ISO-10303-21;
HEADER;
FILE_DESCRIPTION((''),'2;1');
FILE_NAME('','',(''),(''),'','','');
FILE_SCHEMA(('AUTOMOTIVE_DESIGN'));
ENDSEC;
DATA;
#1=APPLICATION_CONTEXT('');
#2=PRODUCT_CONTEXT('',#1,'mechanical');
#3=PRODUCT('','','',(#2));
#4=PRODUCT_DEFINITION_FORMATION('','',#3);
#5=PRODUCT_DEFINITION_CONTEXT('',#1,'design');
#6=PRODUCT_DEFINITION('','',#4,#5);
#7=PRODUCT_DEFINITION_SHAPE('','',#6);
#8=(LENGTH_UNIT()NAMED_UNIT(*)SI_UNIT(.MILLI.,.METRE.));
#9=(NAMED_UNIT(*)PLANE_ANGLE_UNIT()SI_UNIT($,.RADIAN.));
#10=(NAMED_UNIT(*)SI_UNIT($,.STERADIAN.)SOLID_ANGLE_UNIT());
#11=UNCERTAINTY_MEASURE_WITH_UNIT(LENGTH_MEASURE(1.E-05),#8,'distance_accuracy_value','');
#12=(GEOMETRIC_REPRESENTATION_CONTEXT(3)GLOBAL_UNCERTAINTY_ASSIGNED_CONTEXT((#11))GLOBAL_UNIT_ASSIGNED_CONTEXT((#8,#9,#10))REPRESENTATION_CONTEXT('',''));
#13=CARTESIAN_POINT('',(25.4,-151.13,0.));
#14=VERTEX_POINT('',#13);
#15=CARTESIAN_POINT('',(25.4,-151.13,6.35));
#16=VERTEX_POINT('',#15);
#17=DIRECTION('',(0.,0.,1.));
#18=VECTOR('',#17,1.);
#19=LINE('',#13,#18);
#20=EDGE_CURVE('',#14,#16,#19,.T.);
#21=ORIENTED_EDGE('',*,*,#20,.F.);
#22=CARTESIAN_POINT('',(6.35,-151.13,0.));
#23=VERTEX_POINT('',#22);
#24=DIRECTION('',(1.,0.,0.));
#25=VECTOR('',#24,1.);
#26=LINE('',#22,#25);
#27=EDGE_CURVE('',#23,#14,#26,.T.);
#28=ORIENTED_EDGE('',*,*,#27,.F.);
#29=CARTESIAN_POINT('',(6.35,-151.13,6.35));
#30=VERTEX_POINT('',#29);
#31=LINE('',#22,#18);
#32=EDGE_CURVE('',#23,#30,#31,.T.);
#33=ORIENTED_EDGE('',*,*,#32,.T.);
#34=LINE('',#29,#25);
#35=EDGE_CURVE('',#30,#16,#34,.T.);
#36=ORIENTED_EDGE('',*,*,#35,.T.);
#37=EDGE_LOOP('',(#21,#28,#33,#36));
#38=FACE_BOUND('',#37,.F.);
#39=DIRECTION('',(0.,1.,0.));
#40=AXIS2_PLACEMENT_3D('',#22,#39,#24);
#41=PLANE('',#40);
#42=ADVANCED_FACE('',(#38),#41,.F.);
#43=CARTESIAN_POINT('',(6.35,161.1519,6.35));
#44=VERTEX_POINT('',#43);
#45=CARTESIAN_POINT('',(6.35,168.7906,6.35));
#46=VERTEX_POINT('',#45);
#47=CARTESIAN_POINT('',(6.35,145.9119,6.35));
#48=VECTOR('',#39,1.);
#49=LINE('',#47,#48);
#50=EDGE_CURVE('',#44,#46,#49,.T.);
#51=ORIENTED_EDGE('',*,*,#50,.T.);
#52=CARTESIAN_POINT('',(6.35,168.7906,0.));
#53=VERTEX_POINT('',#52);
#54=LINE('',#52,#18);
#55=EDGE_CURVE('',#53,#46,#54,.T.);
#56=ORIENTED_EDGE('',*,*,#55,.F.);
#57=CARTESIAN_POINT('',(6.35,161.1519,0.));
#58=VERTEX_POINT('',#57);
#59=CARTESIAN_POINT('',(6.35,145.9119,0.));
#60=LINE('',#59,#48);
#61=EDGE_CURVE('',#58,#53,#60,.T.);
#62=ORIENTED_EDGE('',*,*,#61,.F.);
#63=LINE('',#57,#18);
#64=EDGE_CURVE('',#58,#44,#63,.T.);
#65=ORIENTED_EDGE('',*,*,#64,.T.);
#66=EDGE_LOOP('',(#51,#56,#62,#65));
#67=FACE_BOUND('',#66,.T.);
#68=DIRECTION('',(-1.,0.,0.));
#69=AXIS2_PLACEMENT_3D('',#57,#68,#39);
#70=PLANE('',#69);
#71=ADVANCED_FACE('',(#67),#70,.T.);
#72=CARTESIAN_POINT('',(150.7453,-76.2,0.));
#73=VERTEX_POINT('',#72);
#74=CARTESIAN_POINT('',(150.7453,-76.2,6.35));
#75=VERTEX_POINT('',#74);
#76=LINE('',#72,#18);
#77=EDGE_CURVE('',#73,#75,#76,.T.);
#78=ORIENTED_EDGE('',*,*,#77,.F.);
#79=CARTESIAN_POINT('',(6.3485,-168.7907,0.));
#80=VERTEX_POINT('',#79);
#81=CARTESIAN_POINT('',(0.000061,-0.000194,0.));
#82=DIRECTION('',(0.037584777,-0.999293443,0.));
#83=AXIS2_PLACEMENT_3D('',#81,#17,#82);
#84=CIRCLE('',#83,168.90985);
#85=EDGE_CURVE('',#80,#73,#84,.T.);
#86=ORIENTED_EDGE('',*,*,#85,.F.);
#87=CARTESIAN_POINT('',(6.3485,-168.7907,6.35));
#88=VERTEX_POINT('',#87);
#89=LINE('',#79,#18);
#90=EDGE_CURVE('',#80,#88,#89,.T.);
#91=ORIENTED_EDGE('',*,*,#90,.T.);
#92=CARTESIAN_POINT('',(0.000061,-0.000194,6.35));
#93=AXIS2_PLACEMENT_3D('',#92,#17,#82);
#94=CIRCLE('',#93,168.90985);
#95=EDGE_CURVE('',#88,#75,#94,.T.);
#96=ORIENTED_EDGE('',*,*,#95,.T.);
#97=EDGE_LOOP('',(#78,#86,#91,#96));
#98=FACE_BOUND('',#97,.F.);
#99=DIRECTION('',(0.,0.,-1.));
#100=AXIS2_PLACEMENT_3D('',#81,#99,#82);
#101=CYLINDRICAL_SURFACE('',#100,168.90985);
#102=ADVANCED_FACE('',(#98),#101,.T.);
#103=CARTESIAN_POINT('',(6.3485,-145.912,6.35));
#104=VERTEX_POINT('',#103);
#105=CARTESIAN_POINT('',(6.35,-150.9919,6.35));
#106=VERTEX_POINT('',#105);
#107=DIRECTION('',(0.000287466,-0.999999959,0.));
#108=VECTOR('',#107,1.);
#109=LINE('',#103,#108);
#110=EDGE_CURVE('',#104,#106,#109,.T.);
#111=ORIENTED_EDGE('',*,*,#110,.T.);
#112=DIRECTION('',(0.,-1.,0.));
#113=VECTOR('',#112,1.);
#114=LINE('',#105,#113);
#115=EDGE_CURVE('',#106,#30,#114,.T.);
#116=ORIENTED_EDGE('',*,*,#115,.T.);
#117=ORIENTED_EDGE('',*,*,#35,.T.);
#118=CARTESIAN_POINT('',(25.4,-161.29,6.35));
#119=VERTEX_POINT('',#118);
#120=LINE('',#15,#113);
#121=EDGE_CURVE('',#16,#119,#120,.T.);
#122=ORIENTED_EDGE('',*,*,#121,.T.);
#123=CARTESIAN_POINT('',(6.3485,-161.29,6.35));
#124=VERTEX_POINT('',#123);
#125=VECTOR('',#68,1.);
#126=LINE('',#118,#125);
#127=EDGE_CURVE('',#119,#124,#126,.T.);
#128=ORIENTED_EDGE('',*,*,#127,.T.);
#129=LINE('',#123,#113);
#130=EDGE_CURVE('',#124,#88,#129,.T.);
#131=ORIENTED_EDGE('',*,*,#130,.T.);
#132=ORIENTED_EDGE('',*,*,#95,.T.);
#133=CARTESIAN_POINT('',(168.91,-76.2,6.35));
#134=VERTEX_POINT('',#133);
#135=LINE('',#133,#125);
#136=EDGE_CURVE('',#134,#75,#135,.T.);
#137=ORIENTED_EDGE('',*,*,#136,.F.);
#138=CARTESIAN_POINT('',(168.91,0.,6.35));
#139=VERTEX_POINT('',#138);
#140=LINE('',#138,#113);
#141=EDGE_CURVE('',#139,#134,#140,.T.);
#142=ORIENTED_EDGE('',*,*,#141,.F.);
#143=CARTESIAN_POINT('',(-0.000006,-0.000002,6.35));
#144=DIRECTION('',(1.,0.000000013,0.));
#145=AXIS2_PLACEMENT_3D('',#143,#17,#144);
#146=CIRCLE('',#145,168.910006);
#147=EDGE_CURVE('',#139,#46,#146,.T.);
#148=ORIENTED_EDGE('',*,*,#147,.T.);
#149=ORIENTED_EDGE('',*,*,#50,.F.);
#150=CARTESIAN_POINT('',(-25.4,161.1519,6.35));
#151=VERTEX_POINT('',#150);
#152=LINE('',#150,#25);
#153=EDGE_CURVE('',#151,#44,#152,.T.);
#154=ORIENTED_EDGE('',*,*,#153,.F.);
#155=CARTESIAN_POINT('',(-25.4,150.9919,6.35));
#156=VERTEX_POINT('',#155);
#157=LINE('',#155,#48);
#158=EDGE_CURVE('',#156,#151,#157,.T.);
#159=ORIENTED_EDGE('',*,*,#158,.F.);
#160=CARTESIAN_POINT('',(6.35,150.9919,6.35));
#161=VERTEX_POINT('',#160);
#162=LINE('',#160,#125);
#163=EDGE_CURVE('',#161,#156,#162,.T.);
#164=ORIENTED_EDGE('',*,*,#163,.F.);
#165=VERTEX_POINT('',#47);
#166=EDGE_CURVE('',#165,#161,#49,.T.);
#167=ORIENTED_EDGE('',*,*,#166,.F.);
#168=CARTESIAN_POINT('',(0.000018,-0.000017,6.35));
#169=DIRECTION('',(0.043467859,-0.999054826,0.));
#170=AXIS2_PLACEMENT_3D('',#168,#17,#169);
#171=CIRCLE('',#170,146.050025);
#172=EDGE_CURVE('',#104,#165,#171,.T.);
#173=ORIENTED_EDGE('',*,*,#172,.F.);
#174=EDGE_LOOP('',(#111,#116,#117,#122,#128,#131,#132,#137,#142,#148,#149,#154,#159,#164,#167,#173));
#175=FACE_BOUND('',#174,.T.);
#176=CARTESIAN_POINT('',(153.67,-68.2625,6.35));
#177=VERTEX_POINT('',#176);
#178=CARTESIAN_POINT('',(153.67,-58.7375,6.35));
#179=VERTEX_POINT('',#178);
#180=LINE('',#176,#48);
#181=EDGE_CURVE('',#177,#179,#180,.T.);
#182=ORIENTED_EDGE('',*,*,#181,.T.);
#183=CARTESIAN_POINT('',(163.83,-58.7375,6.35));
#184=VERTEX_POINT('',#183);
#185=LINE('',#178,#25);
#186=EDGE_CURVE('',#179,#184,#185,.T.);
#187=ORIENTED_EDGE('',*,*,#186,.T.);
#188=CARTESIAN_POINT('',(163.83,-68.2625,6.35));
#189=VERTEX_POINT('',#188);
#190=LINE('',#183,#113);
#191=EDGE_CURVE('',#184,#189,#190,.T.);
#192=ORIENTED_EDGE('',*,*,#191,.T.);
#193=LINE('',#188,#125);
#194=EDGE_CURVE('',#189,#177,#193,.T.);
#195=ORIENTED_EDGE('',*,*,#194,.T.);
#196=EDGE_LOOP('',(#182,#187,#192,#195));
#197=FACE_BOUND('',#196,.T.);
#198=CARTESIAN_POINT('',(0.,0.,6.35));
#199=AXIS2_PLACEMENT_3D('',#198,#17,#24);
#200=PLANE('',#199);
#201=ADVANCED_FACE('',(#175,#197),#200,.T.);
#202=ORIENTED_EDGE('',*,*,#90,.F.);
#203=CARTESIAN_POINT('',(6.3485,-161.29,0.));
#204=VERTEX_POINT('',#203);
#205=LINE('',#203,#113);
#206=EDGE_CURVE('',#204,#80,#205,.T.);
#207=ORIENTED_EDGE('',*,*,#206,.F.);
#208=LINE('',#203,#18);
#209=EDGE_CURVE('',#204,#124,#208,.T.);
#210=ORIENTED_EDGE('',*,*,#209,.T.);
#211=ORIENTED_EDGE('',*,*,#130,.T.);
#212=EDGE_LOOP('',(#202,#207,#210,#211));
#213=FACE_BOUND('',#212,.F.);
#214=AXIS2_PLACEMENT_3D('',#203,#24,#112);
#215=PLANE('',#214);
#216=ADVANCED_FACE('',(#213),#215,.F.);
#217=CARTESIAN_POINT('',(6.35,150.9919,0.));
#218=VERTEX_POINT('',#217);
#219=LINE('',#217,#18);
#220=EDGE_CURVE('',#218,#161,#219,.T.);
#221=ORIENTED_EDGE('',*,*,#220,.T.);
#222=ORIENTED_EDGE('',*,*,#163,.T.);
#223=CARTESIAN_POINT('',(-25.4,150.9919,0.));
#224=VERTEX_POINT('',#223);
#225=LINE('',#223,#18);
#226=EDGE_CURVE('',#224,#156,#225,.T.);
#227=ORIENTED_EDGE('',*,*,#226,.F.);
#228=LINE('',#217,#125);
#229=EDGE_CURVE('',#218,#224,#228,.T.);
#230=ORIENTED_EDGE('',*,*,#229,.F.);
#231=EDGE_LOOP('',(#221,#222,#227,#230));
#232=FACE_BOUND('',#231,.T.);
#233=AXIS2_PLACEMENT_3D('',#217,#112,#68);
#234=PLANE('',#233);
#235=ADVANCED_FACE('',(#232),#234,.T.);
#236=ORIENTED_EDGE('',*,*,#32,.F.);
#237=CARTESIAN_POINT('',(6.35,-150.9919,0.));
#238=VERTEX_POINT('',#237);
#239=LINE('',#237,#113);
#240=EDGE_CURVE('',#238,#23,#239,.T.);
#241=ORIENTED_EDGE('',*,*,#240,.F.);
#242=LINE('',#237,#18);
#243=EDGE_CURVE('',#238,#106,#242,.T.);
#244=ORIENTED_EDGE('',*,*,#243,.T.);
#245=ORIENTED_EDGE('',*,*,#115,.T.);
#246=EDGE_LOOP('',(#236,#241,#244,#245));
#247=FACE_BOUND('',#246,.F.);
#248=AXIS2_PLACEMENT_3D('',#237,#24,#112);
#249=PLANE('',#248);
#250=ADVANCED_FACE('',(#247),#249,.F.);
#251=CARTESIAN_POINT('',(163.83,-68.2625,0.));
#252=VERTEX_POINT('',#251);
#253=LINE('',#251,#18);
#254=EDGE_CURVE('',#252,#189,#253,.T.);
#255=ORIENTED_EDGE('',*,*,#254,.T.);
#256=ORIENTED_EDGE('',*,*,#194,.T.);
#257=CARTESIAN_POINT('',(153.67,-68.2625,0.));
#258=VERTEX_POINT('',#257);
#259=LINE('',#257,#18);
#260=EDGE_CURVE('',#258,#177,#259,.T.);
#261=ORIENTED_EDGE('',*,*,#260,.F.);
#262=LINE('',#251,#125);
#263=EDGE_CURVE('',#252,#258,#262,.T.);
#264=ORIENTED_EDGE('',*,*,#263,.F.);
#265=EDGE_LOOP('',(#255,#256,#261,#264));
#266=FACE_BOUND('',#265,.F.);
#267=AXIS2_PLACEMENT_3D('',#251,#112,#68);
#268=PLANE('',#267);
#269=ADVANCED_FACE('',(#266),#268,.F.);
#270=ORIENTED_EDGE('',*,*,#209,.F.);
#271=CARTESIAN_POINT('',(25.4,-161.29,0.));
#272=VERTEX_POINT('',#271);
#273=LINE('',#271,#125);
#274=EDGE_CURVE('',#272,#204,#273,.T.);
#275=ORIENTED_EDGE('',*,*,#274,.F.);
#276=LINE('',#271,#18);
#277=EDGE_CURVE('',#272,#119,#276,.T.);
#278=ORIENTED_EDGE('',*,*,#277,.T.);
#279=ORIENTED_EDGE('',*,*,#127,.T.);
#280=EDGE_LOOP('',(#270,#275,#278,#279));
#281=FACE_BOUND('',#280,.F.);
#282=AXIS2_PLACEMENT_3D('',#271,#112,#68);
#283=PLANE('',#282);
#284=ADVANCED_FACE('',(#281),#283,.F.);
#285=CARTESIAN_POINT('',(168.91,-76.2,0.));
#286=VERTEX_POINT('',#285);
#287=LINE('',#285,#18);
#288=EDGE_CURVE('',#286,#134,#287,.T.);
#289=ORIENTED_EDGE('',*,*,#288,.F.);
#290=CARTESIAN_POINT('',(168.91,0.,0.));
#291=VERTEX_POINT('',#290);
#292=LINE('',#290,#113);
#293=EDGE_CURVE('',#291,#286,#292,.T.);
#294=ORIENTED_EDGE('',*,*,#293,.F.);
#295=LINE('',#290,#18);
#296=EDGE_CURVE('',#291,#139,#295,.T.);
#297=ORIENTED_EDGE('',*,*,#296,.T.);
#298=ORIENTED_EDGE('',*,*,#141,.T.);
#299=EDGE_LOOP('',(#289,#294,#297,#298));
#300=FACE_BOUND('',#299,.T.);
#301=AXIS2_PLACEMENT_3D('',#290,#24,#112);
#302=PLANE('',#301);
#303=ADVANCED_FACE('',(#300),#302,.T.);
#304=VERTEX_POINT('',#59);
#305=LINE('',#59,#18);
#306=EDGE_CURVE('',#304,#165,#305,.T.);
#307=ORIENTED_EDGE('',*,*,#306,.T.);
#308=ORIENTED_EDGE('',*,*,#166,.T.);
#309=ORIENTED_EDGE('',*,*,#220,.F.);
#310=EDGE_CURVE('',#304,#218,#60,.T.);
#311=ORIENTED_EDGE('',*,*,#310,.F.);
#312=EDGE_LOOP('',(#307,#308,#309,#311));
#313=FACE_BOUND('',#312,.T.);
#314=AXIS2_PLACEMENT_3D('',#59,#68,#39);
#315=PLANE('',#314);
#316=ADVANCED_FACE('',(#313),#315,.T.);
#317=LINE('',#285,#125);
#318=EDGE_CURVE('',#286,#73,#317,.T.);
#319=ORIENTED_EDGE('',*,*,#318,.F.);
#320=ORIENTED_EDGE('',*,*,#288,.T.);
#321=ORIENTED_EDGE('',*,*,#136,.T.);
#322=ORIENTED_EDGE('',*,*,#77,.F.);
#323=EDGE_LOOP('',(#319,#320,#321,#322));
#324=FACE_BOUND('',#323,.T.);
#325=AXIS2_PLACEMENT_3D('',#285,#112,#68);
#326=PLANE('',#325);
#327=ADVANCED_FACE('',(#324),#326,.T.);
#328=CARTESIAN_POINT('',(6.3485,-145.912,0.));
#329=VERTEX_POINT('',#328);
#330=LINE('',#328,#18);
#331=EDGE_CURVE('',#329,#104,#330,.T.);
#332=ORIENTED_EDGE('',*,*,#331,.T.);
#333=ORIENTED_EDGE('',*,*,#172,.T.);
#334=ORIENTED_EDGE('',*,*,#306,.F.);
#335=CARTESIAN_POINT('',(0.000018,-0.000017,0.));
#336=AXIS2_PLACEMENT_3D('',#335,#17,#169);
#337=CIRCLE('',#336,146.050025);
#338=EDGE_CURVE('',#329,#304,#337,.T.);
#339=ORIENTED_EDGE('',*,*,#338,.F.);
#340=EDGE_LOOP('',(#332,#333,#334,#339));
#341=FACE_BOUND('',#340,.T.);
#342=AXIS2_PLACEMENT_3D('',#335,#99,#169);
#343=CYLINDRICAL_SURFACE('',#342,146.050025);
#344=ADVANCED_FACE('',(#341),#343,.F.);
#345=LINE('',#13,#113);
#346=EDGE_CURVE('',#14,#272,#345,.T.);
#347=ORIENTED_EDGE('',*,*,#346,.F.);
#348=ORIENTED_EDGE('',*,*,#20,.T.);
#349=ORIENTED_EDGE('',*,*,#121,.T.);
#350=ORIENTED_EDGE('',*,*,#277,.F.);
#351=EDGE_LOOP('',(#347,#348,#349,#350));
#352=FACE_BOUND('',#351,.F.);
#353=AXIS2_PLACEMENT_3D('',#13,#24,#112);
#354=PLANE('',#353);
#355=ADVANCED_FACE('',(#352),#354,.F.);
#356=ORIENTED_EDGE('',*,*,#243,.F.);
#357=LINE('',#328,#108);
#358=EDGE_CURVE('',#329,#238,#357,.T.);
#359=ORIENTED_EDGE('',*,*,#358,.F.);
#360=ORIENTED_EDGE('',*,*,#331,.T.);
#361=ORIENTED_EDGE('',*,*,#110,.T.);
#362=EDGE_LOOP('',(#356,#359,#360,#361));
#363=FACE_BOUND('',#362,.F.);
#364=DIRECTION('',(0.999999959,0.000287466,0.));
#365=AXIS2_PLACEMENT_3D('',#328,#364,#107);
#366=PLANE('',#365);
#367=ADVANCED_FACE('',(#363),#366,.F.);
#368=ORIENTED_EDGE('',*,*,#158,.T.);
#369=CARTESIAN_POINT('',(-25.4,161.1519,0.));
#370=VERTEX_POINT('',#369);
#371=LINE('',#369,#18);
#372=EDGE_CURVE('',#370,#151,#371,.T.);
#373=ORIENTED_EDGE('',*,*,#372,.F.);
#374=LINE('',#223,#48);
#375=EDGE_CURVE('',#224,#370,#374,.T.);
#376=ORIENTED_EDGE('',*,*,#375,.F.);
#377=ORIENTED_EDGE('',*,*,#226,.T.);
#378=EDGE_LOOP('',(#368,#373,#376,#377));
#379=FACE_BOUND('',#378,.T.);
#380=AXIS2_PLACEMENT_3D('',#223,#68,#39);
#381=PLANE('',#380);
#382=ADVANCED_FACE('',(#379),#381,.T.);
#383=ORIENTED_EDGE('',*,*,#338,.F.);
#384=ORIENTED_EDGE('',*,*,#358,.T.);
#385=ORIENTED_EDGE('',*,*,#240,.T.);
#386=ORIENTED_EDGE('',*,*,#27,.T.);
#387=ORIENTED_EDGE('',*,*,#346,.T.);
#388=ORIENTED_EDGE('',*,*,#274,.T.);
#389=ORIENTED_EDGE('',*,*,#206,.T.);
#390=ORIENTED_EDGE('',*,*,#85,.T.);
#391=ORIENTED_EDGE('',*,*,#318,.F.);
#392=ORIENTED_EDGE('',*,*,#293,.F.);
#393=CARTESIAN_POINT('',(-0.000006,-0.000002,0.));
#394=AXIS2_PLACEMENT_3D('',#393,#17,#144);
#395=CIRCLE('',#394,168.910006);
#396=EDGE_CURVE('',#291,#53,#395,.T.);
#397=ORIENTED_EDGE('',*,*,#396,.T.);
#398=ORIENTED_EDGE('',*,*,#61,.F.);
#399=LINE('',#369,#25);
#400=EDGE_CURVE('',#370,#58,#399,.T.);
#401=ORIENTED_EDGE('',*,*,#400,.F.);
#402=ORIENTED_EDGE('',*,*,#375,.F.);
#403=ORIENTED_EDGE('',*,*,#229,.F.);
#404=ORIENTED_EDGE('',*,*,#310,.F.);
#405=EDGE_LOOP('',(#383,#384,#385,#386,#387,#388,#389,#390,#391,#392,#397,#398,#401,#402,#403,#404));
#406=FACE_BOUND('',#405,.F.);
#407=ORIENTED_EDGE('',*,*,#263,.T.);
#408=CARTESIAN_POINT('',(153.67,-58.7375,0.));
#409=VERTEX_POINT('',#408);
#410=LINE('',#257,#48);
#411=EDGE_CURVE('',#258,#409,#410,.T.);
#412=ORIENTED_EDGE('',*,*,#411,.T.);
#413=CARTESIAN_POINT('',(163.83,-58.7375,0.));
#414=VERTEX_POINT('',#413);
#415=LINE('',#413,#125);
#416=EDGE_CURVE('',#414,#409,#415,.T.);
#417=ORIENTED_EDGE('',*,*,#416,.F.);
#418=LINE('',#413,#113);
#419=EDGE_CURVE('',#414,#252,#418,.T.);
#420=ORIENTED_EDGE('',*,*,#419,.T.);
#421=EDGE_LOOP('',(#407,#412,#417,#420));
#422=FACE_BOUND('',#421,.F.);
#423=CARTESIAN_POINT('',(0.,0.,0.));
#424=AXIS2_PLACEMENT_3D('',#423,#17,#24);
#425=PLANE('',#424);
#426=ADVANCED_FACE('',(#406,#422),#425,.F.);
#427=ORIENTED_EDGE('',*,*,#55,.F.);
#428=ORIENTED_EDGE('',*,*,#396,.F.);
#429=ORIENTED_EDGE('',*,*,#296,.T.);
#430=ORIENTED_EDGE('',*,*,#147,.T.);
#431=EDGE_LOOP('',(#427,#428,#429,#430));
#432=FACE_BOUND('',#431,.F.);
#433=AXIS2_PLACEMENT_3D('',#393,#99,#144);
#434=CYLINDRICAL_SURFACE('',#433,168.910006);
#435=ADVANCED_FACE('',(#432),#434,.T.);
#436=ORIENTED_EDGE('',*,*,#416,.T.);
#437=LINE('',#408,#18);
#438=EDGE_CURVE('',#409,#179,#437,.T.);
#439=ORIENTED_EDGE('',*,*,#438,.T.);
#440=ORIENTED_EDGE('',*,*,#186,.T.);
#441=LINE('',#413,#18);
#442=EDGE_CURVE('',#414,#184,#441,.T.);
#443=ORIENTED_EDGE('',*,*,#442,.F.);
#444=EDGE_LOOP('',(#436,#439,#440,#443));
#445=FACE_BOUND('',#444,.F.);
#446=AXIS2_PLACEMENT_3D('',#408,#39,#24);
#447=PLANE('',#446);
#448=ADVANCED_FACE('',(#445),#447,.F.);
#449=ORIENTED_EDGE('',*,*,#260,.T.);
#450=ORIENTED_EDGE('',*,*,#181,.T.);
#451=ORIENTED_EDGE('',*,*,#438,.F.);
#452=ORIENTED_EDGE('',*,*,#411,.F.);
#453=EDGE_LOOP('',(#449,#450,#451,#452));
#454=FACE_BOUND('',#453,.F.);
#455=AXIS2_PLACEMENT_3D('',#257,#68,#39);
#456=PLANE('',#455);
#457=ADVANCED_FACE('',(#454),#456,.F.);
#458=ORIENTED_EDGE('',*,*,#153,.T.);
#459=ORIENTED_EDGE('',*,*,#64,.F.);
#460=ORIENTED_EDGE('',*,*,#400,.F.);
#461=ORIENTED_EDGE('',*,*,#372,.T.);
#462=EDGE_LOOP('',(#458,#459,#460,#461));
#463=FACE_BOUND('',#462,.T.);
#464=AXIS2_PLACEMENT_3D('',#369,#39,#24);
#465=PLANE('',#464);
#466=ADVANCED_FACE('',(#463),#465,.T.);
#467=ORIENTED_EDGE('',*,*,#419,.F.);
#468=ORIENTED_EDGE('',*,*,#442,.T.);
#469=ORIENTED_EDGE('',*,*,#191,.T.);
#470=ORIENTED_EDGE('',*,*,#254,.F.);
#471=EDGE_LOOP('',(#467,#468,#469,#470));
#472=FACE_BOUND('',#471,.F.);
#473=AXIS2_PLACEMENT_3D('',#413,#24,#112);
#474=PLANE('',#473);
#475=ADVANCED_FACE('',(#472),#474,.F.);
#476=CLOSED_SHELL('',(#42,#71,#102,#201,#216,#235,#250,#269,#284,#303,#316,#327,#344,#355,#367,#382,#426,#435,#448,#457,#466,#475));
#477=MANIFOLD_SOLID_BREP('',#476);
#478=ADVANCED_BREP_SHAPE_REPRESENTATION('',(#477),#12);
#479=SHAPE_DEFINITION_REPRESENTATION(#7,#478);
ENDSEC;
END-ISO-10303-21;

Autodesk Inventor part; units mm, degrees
ref_plane "YZ Plane" through (0, 0, 0) normal (1, 0, 0) x (0, 1, 0)
ref_plane "XZ Plane" through (0, 0, 0) normal (0, 1, 0) x (-1, 0, 0)
ref_plane "XY Plane" through (0, 0, 0) normal (0, 0, 1) x (1, 0, 0)
sketch "Sketch1" plane through (0, 0, 0) normal (0, 0, 1) x (1, 0, 0)
  arc A0 (6.3485, -145.912) -> (6.35, 145.9119) centre (0, 0) ccw
  line L0 (6.35, -150.9919) -> (6.35, -151.13)
  line L1 (6.35, 145.9119) -> (6.35, 168.7906)
  line L2 (0, 0) -> (0, 200.5264) construction
  line L3 (6.35, 145.9119) -> (6.35, 150.9919) construction
  line L4 (6.35, 150.9919) -> (-25.4, 150.9919)
  line L5 (-25.4, 150.9919) -> (-25.4, 161.1519)
  line L6 (-25.4, 161.1519) -> (6.35, 161.1519)
  line L7 (0, -146.05) -> (0, 0) construction
  line L8 (168.91, 0) -> (168.91, -76.2)
  line L9 (168.91, -76.2) -> (150.7453, -76.2)
  line L10 (0, 0) -> (0, -63.5) construction
  line L11 (0, -63.5) -> (158.75, -63.5) construction
  line L12 (158.75, -58.7375) -> (163.83, -58.7375)
  line L13 (163.83, -58.7375) -> (163.83, -68.2625)
  line L14 (163.83, -68.2625) -> (153.67, -68.2625)
  line L15 (153.67, -68.2625) -> (153.67, -58.7375)
  line L16 (153.67, -58.7375) -> (158.75, -58.7375)
  arc A1 (6.3485, -168.7907) -> (150.7453, -76.2) centre (0, 0) ccw
  line L17 (6.35, 161.1519) -> (-6.35, 161.1519) construction
  line L18 (-6.35, 161.1519) -> (-6.35, 168.7906) construction
  line L19 (0, -146.05) -> (0, -151.13) construction
  line L20 (6.3485, -151.13) -> (25.4, -151.13)
  line L21 (25.4, -151.13) -> (25.4, -161.29)
  line L22 (25.4, -161.29) -> (6.3485, -161.29)
  arc A2 (168.91, 0) -> (6.35, 168.7906) centre (0, 0) ccw
  line L23 (0, -146.05) -> (6.3485, -145.912) construction
  line L24 (6.3485, -145.912) -> (6.3485, -151.13)
  line L25 (6.3485, -161.29) -> (6.3485, -168.7907)
  line L26 (6.3485, -145.912) -> (6.3485, -151.13) construction
  line L27 (6.3485, -161.29) -> (6.3485, -184.4747) construction
  point P0 (6.35, -145.9119)
  point P1 (0.0447, 168.91)
  point P2 (6.3947, 145.9099)
  dimension "d51" = 292.1
  dimension "d72" = 6.35
  dimension "d73" = 5.08
  dimension "d75" = 31.75
  dimension "d76" = 10.16
  dimension "d82" = 76.2
  dimension "d86" = 63.5
  dimension "d87" = 158.75
  dimension "d89" = 4.7625
  dimension "d90" = 5.08
  dimension "d91" = 9.525
  dimension "d92" = 10.16
  dimension "d93" = 4.7625
  dimension "d100" = 12.7
  dimension "d101" = 5.08
  dimension "d103" = 25.4
  dimension "d104" = 10.16
  dimension "d105" = 6.35
  dimension "d106" = 7.5007
  dimension "d107" = 25.4
extrude "Extrusion18" add sketch "Sketch1" along normal blind 6.35
properties part number "TopmaleHoopSection_v2"
